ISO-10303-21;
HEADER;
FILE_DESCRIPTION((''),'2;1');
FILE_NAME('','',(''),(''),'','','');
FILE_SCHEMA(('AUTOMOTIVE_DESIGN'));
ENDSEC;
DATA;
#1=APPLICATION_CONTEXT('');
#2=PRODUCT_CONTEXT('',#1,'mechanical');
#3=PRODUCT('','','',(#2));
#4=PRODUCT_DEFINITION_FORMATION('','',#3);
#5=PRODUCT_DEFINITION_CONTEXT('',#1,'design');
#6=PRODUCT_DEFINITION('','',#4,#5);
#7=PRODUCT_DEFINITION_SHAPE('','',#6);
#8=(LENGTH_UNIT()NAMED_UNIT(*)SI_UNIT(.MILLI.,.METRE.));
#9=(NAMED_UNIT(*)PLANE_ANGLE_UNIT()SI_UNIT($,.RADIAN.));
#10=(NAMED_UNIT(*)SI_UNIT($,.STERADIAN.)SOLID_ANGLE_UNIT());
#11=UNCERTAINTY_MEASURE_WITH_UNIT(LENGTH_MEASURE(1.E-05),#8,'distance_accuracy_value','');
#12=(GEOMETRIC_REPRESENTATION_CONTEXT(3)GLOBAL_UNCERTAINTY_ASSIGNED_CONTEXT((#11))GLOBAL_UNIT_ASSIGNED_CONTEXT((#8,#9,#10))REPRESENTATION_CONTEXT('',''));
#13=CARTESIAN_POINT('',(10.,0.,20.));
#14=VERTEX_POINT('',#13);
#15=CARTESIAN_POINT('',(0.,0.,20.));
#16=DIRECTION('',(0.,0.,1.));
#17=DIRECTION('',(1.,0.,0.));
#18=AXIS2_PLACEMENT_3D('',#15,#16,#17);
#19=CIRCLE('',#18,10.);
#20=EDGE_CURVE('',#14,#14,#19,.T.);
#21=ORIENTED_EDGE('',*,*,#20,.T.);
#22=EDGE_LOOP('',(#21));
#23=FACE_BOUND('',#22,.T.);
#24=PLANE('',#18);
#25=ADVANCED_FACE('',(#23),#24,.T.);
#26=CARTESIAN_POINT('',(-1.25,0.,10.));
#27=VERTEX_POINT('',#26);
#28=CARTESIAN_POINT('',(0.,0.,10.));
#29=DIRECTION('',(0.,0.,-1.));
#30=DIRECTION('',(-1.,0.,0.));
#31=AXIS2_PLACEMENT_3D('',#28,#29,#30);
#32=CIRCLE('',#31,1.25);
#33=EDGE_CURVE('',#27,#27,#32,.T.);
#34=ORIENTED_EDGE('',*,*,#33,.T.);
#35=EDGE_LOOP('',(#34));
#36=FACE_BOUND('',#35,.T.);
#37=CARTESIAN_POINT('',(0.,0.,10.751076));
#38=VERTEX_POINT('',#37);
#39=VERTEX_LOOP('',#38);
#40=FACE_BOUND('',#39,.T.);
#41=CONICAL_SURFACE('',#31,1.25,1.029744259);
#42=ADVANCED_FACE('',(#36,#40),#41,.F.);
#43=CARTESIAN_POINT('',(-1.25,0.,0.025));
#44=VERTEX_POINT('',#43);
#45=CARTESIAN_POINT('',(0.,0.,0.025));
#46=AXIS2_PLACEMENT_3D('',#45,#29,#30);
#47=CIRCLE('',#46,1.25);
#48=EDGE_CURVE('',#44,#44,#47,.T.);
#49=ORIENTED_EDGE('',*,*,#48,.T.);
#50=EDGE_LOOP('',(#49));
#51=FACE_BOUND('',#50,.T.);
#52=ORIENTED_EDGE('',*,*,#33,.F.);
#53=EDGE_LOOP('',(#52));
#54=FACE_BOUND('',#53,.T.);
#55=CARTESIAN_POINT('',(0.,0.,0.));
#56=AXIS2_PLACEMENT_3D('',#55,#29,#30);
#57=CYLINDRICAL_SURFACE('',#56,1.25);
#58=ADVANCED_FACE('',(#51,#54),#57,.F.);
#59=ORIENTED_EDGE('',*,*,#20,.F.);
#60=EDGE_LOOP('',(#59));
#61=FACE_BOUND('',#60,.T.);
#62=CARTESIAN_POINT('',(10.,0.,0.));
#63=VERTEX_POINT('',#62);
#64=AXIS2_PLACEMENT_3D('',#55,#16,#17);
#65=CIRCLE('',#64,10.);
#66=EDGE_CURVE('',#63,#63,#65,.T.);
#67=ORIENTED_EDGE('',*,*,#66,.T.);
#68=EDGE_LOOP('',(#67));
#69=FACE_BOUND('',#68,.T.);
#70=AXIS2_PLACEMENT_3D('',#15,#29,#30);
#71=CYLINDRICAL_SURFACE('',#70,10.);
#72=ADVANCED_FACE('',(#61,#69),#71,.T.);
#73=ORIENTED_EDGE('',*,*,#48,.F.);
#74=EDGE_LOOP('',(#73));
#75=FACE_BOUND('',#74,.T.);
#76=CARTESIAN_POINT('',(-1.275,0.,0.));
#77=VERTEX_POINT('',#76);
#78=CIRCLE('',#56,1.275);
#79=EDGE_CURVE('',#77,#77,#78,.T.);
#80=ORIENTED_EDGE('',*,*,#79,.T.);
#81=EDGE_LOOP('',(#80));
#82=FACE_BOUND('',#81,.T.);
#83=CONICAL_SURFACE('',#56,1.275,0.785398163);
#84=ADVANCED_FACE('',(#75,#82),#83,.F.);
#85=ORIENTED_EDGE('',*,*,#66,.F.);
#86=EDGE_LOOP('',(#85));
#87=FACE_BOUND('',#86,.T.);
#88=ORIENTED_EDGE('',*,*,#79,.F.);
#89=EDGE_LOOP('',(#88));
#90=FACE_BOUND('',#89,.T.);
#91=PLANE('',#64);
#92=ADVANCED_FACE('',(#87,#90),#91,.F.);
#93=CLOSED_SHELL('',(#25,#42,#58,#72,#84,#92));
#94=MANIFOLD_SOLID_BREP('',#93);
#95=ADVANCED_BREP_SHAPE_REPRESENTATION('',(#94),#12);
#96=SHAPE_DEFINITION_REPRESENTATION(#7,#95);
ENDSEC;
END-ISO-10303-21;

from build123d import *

# Parameters (mm, degrees)
SKETCH_1_R            = 10
EXTRUDE_1_DEPTH       = 20
F_2_5MM_1_D           = 2.5
F_2_5MM_1_DEPTH       = 10
F_2_5MM_1_CSINK_D     = 2.55
F_2_5MM_1_CSINK_ANGLE = 90
F_2_5MM_1_TIP         = 0.751075774


with BuildPart() as part:
    # 草图1 → 凸台-拉伸1 (new body)
    with BuildSketch(Plane.XY):
        Circle(SKETCH_1_R)
    extrude(amount=EXTRUDE_1_DEPTH)

    # Ø2.5mm 暗销孔1
    with Locations(Plane(origin=(0, 0, 0), x_dir=(-1, 0, 0), z_dir=(0, 0, -1))):
        with Locations((0, 0)):
            CounterSinkHole(F_2_5MM_1_D / 2, F_2_5MM_1_CSINK_D / 2, depth=F_2_5MM_1_DEPTH, counter_sink_angle=F_2_5MM_1_CSINK_ANGLE)
            with Locations((0, 0, -(F_2_5MM_1_DEPTH + F_2_5MM_1_TIP / 2))):  # 118° drill point
                Cone(0, F_2_5MM_1_D / 2, F_2_5MM_1_TIP, mode=Mode.SUBTRACT)


solid = part.part
